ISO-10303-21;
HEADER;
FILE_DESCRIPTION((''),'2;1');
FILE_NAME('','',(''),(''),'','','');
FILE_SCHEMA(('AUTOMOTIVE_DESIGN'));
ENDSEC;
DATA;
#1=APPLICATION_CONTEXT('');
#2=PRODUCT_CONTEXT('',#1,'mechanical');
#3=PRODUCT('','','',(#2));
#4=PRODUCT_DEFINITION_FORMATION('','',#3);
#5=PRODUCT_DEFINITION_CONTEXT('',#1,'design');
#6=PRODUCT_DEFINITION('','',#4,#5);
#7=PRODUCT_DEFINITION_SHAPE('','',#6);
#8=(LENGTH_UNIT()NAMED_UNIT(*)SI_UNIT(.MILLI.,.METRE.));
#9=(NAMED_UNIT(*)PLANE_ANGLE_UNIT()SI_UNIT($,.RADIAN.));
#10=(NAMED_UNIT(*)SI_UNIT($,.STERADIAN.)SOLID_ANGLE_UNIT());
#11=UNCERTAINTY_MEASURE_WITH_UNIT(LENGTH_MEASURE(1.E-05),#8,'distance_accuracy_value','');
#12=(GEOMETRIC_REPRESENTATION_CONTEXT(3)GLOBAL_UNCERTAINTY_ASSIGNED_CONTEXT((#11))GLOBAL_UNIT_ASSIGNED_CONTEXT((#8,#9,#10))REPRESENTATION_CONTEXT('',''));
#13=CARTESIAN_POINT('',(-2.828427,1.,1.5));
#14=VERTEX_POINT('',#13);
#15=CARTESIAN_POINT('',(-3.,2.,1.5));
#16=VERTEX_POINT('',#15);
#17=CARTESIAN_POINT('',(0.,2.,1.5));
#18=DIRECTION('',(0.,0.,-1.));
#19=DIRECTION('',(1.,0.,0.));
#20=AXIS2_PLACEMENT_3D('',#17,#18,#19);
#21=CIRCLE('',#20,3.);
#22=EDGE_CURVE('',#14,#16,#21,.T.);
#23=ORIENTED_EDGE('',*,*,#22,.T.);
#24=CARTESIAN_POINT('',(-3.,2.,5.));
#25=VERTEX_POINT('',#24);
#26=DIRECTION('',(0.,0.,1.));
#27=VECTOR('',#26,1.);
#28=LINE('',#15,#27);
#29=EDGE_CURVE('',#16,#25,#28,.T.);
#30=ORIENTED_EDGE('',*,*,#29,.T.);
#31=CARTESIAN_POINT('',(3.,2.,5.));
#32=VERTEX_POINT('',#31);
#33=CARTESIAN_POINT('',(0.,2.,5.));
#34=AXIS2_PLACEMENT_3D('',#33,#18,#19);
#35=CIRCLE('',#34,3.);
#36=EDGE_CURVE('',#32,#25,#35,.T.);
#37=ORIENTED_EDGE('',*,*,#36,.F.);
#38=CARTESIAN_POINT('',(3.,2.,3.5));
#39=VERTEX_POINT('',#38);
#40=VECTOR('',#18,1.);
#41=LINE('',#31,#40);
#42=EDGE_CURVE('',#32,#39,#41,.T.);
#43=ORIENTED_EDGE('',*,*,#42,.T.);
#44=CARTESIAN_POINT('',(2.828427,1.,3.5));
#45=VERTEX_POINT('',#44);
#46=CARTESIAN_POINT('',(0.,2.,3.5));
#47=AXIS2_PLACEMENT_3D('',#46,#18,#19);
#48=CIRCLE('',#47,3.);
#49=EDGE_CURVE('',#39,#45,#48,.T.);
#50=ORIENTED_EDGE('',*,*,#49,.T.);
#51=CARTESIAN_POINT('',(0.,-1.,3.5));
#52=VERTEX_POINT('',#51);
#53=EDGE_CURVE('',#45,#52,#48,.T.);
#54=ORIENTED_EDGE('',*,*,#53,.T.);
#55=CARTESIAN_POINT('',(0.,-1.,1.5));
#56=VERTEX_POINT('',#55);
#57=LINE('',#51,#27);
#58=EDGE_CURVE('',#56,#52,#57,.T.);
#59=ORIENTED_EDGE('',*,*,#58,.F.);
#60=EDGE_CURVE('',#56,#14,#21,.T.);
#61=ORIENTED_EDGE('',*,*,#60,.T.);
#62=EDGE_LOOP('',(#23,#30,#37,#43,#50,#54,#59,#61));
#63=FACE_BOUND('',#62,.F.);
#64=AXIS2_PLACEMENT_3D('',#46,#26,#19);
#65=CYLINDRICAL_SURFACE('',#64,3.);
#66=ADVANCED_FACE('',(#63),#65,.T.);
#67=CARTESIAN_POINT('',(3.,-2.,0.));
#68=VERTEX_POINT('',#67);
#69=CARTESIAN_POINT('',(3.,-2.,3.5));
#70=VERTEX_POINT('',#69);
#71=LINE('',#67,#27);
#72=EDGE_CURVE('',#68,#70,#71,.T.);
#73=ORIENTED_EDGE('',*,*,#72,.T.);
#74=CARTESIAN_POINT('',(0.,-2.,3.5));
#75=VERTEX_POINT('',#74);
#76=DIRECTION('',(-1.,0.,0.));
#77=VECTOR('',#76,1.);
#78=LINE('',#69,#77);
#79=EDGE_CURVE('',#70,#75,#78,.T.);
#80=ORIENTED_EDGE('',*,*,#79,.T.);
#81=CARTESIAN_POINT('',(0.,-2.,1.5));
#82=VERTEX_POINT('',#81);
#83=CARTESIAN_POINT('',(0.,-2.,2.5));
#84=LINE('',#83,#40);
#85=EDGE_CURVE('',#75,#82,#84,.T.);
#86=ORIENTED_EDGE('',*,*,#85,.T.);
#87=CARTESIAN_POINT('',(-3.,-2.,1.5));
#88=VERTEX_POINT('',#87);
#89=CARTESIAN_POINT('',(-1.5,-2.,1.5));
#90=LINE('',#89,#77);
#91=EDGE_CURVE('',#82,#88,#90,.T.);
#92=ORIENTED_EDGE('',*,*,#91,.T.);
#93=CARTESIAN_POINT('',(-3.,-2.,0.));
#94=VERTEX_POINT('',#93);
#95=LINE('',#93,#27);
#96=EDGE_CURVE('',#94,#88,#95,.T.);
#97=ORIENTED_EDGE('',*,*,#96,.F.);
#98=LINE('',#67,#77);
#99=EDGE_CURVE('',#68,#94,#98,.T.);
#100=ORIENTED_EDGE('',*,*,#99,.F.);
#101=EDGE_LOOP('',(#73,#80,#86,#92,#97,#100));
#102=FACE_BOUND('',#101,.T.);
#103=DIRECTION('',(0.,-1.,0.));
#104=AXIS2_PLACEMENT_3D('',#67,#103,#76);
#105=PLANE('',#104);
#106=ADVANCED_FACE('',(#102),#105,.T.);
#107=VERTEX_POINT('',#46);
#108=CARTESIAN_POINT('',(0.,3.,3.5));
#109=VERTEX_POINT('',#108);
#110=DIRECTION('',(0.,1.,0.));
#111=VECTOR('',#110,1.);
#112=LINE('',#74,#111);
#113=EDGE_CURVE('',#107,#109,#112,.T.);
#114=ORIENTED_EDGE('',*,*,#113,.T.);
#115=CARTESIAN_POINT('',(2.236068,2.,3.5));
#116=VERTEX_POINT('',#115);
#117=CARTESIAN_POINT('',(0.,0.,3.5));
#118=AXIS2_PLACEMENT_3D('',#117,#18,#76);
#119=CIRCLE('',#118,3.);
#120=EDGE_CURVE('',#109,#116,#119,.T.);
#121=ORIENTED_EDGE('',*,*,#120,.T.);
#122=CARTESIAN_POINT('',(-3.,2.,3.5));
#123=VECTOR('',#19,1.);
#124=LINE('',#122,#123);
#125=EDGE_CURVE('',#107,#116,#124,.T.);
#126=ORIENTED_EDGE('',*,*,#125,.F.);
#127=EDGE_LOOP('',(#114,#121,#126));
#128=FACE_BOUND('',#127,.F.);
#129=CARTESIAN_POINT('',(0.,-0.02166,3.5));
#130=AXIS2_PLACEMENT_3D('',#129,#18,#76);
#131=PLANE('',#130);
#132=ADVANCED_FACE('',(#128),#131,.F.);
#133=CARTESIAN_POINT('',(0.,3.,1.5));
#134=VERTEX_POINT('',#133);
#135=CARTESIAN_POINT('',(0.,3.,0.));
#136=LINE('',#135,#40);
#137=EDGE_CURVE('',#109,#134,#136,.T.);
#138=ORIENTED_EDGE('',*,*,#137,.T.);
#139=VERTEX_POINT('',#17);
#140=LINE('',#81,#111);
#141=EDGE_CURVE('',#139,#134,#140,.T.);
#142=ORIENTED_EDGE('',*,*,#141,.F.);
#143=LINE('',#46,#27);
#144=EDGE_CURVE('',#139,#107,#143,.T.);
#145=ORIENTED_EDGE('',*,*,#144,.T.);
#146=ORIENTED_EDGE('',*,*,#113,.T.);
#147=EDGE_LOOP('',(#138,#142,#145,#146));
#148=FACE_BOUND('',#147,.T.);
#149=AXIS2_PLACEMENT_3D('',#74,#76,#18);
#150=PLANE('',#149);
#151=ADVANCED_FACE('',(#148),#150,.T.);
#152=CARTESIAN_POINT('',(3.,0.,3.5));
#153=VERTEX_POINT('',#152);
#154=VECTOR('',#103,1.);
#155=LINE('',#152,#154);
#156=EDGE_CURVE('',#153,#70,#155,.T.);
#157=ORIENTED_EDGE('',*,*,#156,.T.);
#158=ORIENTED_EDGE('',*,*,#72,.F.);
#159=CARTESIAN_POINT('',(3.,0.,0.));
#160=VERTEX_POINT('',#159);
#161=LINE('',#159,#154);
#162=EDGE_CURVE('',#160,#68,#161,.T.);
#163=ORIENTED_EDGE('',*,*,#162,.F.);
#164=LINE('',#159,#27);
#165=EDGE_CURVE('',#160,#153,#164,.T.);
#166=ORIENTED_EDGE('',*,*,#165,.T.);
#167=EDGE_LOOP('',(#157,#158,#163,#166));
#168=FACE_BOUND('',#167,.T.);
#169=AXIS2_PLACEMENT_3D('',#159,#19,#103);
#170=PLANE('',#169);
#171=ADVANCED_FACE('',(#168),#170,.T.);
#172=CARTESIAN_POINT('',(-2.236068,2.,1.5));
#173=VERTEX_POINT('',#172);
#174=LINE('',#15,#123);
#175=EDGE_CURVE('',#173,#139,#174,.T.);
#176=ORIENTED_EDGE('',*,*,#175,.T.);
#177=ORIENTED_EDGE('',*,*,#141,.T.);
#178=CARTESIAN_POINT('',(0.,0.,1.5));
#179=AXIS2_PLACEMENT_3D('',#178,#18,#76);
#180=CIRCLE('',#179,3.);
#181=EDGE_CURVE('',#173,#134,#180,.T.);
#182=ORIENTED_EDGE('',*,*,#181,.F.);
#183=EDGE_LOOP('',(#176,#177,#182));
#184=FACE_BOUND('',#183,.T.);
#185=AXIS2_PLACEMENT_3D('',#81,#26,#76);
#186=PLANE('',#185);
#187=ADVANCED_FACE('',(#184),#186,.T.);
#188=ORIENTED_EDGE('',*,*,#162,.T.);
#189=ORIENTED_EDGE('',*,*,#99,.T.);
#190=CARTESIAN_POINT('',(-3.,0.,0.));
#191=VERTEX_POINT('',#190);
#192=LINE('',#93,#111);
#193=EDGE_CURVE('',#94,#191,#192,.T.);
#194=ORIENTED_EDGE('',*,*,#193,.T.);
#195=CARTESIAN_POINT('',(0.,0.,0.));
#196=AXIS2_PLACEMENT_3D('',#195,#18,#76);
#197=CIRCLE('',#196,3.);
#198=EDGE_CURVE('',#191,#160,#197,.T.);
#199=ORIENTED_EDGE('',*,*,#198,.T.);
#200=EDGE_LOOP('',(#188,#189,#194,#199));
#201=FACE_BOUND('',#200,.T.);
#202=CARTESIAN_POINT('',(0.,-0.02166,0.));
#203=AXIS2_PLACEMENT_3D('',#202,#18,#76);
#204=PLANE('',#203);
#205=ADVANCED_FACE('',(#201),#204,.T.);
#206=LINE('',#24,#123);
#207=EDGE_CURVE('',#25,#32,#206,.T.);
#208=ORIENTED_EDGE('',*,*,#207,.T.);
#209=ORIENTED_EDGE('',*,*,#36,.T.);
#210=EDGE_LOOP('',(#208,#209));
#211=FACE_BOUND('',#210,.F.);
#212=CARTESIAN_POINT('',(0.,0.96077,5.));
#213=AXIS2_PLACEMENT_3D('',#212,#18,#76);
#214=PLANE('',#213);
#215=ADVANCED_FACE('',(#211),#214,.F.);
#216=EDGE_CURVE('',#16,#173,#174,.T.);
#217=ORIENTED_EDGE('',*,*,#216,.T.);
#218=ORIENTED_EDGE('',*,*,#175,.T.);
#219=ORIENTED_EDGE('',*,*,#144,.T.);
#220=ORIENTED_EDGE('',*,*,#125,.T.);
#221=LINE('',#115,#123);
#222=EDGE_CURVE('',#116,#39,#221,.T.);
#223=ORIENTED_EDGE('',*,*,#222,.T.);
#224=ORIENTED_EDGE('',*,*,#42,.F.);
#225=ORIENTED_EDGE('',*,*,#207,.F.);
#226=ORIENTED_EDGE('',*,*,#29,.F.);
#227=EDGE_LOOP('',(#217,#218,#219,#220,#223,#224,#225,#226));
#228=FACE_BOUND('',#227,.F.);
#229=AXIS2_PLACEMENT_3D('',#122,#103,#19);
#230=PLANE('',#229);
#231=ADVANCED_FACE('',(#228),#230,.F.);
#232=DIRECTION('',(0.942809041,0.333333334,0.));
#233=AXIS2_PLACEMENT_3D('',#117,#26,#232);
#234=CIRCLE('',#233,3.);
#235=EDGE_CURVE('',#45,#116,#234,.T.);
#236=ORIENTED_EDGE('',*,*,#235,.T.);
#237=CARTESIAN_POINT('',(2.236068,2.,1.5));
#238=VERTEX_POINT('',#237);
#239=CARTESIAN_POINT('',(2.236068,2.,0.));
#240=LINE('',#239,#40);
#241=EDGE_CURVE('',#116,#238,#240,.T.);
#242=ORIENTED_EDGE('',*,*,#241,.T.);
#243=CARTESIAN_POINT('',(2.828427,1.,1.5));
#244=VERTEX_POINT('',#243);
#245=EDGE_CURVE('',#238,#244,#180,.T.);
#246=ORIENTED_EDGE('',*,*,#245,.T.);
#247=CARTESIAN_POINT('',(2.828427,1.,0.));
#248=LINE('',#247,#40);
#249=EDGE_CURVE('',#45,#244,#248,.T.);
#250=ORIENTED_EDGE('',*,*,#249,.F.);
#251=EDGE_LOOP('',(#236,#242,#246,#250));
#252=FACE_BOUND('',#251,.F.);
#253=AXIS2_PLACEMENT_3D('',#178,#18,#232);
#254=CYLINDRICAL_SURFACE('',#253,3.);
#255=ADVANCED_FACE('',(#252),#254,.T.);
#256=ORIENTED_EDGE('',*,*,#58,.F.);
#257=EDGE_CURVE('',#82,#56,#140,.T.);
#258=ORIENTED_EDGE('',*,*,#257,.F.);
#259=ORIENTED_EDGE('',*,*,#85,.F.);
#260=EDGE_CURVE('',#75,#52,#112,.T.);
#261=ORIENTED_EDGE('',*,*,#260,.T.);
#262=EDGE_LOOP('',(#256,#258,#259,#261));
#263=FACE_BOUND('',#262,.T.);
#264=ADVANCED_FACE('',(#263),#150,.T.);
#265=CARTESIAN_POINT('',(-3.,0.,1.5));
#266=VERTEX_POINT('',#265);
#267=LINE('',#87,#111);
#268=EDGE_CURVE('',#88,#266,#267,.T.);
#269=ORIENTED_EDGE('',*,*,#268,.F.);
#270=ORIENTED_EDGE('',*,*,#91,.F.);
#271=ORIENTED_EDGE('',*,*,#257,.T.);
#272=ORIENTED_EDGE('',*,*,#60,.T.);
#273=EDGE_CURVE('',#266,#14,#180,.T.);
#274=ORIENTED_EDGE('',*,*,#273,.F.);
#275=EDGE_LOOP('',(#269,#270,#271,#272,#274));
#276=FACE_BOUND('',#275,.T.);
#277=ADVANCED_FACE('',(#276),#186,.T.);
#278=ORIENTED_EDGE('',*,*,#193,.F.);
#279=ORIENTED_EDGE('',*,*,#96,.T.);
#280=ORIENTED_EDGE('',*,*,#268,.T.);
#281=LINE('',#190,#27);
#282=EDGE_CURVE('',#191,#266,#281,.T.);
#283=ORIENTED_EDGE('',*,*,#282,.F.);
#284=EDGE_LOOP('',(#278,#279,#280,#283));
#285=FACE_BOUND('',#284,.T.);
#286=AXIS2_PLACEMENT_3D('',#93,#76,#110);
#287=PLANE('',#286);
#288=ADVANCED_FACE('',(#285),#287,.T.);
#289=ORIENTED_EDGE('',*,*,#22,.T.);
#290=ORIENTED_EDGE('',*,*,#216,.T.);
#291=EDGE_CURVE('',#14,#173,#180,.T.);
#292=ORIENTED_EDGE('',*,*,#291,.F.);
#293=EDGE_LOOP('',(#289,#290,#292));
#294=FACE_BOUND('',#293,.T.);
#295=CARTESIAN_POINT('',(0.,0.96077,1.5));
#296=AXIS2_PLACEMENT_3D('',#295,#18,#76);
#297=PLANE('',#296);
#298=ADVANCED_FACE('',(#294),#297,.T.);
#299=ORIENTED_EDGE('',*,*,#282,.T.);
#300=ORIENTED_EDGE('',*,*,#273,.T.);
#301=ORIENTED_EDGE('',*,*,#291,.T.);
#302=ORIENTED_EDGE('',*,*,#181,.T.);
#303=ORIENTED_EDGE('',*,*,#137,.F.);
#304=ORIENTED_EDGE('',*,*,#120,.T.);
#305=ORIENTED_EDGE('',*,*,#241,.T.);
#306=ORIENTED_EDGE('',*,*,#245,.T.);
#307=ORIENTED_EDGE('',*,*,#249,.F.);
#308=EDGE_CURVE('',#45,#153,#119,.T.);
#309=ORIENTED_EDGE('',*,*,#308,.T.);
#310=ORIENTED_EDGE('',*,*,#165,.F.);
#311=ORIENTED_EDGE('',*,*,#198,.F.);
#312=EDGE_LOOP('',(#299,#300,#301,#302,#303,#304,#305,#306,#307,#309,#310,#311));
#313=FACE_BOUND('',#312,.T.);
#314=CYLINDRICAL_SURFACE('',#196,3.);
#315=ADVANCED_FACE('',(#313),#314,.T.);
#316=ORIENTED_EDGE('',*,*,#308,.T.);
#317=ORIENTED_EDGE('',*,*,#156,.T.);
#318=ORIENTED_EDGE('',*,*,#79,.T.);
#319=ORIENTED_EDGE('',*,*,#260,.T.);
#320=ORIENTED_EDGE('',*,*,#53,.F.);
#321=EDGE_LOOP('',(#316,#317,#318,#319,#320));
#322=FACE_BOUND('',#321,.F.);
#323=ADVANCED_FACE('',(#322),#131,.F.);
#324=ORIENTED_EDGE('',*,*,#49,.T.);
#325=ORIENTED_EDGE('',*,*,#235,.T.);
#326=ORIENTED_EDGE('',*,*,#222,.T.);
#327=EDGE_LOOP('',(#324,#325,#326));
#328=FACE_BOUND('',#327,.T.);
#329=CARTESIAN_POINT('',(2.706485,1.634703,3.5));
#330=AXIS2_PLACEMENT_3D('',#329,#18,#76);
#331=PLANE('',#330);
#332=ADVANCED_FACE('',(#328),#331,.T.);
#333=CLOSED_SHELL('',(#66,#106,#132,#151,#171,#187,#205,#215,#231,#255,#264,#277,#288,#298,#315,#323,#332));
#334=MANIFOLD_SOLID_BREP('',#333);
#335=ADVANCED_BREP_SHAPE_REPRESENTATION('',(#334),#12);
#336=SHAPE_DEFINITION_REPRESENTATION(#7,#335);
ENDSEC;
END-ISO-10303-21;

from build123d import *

# Parameters (mm, degrees)
BOSS_EXTRUDE7_DEPTH      = 3.5
SKETCH12_W               = 3
SKETCH12_H               = 2
CUT_EXTRUDE5_DEPTH       = 5.5
BOSS_EXTRUDE8_DEPTH      = 1.5
BOSS_EXTRUDE8_DEPTH_BACK = 2
CUT_EXTRUDE6_DEPTH       = 2


with BuildPart() as part:
    # Sketch11 → Boss-Extrude7 (new body)
    with BuildSketch(Plane.XY):
        with BuildLine():
            Line((3, 0), (3, -2))
            Line((3, -2), (-3, -2))
            Line((-3, -2), (-3, 0))
            ThreePointArc((-3, 0), (0, 3), (3, 0))
        make_face()
    extrude(amount=BOSS_EXTRUDE7_DEPTH)

    # Sketch12 → Cut-Extrude5 (cut)
    with BuildSketch(Plane(origin=(0, -2, 0), x_dir=(-1, 0, 0), z_dir=(0, -1, 0))):
        with Locations((1.5, -2.5)):
            Rectangle(SKETCH12_W, SKETCH12_H)
    extrude(amount=-CUT_EXTRUDE5_DEPTH, mode=Mode.SUBTRACT)

    # Sketch13 → Boss-Extrude8 (add, two sides)
    with BuildSketch(Plane.XY.offset(3.5)) as boss_extrude8_sk:
        with BuildLine():
            Line((-3, 2), (3, 2))
            ThreePointArc((3, 2), (0, -1), (-3, 2))
        make_face()
    extrude(amount=BOSS_EXTRUDE8_DEPTH)
    extrude(boss_extrude8_sk.sketch, amount=-BOSS_EXTRUDE8_DEPTH_BACK)

    # Sketch14 → Cut-Extrude6 (cut)
    with BuildSketch(Plane(origin=(0, 0, 1.5), x_dir=(-1, 0, 0), z_dir=(0, 0, -1))):
        with BuildLine():
            ThreePointArc((-3, 2), (-2.956795679, 1.492694064), (-2.828427125, 1))
            ThreePointArc((-2.828427125, 1), (-2.58113883, 1.528961196), (-2.236067977, 2))
            Line((-2.236067977, 2), (-3, 2))
        make_face()
    extrude(amount=-CUT_EXTRUDE6_DEPTH, mode=Mode.SUBTRACT)


solid = part.part
